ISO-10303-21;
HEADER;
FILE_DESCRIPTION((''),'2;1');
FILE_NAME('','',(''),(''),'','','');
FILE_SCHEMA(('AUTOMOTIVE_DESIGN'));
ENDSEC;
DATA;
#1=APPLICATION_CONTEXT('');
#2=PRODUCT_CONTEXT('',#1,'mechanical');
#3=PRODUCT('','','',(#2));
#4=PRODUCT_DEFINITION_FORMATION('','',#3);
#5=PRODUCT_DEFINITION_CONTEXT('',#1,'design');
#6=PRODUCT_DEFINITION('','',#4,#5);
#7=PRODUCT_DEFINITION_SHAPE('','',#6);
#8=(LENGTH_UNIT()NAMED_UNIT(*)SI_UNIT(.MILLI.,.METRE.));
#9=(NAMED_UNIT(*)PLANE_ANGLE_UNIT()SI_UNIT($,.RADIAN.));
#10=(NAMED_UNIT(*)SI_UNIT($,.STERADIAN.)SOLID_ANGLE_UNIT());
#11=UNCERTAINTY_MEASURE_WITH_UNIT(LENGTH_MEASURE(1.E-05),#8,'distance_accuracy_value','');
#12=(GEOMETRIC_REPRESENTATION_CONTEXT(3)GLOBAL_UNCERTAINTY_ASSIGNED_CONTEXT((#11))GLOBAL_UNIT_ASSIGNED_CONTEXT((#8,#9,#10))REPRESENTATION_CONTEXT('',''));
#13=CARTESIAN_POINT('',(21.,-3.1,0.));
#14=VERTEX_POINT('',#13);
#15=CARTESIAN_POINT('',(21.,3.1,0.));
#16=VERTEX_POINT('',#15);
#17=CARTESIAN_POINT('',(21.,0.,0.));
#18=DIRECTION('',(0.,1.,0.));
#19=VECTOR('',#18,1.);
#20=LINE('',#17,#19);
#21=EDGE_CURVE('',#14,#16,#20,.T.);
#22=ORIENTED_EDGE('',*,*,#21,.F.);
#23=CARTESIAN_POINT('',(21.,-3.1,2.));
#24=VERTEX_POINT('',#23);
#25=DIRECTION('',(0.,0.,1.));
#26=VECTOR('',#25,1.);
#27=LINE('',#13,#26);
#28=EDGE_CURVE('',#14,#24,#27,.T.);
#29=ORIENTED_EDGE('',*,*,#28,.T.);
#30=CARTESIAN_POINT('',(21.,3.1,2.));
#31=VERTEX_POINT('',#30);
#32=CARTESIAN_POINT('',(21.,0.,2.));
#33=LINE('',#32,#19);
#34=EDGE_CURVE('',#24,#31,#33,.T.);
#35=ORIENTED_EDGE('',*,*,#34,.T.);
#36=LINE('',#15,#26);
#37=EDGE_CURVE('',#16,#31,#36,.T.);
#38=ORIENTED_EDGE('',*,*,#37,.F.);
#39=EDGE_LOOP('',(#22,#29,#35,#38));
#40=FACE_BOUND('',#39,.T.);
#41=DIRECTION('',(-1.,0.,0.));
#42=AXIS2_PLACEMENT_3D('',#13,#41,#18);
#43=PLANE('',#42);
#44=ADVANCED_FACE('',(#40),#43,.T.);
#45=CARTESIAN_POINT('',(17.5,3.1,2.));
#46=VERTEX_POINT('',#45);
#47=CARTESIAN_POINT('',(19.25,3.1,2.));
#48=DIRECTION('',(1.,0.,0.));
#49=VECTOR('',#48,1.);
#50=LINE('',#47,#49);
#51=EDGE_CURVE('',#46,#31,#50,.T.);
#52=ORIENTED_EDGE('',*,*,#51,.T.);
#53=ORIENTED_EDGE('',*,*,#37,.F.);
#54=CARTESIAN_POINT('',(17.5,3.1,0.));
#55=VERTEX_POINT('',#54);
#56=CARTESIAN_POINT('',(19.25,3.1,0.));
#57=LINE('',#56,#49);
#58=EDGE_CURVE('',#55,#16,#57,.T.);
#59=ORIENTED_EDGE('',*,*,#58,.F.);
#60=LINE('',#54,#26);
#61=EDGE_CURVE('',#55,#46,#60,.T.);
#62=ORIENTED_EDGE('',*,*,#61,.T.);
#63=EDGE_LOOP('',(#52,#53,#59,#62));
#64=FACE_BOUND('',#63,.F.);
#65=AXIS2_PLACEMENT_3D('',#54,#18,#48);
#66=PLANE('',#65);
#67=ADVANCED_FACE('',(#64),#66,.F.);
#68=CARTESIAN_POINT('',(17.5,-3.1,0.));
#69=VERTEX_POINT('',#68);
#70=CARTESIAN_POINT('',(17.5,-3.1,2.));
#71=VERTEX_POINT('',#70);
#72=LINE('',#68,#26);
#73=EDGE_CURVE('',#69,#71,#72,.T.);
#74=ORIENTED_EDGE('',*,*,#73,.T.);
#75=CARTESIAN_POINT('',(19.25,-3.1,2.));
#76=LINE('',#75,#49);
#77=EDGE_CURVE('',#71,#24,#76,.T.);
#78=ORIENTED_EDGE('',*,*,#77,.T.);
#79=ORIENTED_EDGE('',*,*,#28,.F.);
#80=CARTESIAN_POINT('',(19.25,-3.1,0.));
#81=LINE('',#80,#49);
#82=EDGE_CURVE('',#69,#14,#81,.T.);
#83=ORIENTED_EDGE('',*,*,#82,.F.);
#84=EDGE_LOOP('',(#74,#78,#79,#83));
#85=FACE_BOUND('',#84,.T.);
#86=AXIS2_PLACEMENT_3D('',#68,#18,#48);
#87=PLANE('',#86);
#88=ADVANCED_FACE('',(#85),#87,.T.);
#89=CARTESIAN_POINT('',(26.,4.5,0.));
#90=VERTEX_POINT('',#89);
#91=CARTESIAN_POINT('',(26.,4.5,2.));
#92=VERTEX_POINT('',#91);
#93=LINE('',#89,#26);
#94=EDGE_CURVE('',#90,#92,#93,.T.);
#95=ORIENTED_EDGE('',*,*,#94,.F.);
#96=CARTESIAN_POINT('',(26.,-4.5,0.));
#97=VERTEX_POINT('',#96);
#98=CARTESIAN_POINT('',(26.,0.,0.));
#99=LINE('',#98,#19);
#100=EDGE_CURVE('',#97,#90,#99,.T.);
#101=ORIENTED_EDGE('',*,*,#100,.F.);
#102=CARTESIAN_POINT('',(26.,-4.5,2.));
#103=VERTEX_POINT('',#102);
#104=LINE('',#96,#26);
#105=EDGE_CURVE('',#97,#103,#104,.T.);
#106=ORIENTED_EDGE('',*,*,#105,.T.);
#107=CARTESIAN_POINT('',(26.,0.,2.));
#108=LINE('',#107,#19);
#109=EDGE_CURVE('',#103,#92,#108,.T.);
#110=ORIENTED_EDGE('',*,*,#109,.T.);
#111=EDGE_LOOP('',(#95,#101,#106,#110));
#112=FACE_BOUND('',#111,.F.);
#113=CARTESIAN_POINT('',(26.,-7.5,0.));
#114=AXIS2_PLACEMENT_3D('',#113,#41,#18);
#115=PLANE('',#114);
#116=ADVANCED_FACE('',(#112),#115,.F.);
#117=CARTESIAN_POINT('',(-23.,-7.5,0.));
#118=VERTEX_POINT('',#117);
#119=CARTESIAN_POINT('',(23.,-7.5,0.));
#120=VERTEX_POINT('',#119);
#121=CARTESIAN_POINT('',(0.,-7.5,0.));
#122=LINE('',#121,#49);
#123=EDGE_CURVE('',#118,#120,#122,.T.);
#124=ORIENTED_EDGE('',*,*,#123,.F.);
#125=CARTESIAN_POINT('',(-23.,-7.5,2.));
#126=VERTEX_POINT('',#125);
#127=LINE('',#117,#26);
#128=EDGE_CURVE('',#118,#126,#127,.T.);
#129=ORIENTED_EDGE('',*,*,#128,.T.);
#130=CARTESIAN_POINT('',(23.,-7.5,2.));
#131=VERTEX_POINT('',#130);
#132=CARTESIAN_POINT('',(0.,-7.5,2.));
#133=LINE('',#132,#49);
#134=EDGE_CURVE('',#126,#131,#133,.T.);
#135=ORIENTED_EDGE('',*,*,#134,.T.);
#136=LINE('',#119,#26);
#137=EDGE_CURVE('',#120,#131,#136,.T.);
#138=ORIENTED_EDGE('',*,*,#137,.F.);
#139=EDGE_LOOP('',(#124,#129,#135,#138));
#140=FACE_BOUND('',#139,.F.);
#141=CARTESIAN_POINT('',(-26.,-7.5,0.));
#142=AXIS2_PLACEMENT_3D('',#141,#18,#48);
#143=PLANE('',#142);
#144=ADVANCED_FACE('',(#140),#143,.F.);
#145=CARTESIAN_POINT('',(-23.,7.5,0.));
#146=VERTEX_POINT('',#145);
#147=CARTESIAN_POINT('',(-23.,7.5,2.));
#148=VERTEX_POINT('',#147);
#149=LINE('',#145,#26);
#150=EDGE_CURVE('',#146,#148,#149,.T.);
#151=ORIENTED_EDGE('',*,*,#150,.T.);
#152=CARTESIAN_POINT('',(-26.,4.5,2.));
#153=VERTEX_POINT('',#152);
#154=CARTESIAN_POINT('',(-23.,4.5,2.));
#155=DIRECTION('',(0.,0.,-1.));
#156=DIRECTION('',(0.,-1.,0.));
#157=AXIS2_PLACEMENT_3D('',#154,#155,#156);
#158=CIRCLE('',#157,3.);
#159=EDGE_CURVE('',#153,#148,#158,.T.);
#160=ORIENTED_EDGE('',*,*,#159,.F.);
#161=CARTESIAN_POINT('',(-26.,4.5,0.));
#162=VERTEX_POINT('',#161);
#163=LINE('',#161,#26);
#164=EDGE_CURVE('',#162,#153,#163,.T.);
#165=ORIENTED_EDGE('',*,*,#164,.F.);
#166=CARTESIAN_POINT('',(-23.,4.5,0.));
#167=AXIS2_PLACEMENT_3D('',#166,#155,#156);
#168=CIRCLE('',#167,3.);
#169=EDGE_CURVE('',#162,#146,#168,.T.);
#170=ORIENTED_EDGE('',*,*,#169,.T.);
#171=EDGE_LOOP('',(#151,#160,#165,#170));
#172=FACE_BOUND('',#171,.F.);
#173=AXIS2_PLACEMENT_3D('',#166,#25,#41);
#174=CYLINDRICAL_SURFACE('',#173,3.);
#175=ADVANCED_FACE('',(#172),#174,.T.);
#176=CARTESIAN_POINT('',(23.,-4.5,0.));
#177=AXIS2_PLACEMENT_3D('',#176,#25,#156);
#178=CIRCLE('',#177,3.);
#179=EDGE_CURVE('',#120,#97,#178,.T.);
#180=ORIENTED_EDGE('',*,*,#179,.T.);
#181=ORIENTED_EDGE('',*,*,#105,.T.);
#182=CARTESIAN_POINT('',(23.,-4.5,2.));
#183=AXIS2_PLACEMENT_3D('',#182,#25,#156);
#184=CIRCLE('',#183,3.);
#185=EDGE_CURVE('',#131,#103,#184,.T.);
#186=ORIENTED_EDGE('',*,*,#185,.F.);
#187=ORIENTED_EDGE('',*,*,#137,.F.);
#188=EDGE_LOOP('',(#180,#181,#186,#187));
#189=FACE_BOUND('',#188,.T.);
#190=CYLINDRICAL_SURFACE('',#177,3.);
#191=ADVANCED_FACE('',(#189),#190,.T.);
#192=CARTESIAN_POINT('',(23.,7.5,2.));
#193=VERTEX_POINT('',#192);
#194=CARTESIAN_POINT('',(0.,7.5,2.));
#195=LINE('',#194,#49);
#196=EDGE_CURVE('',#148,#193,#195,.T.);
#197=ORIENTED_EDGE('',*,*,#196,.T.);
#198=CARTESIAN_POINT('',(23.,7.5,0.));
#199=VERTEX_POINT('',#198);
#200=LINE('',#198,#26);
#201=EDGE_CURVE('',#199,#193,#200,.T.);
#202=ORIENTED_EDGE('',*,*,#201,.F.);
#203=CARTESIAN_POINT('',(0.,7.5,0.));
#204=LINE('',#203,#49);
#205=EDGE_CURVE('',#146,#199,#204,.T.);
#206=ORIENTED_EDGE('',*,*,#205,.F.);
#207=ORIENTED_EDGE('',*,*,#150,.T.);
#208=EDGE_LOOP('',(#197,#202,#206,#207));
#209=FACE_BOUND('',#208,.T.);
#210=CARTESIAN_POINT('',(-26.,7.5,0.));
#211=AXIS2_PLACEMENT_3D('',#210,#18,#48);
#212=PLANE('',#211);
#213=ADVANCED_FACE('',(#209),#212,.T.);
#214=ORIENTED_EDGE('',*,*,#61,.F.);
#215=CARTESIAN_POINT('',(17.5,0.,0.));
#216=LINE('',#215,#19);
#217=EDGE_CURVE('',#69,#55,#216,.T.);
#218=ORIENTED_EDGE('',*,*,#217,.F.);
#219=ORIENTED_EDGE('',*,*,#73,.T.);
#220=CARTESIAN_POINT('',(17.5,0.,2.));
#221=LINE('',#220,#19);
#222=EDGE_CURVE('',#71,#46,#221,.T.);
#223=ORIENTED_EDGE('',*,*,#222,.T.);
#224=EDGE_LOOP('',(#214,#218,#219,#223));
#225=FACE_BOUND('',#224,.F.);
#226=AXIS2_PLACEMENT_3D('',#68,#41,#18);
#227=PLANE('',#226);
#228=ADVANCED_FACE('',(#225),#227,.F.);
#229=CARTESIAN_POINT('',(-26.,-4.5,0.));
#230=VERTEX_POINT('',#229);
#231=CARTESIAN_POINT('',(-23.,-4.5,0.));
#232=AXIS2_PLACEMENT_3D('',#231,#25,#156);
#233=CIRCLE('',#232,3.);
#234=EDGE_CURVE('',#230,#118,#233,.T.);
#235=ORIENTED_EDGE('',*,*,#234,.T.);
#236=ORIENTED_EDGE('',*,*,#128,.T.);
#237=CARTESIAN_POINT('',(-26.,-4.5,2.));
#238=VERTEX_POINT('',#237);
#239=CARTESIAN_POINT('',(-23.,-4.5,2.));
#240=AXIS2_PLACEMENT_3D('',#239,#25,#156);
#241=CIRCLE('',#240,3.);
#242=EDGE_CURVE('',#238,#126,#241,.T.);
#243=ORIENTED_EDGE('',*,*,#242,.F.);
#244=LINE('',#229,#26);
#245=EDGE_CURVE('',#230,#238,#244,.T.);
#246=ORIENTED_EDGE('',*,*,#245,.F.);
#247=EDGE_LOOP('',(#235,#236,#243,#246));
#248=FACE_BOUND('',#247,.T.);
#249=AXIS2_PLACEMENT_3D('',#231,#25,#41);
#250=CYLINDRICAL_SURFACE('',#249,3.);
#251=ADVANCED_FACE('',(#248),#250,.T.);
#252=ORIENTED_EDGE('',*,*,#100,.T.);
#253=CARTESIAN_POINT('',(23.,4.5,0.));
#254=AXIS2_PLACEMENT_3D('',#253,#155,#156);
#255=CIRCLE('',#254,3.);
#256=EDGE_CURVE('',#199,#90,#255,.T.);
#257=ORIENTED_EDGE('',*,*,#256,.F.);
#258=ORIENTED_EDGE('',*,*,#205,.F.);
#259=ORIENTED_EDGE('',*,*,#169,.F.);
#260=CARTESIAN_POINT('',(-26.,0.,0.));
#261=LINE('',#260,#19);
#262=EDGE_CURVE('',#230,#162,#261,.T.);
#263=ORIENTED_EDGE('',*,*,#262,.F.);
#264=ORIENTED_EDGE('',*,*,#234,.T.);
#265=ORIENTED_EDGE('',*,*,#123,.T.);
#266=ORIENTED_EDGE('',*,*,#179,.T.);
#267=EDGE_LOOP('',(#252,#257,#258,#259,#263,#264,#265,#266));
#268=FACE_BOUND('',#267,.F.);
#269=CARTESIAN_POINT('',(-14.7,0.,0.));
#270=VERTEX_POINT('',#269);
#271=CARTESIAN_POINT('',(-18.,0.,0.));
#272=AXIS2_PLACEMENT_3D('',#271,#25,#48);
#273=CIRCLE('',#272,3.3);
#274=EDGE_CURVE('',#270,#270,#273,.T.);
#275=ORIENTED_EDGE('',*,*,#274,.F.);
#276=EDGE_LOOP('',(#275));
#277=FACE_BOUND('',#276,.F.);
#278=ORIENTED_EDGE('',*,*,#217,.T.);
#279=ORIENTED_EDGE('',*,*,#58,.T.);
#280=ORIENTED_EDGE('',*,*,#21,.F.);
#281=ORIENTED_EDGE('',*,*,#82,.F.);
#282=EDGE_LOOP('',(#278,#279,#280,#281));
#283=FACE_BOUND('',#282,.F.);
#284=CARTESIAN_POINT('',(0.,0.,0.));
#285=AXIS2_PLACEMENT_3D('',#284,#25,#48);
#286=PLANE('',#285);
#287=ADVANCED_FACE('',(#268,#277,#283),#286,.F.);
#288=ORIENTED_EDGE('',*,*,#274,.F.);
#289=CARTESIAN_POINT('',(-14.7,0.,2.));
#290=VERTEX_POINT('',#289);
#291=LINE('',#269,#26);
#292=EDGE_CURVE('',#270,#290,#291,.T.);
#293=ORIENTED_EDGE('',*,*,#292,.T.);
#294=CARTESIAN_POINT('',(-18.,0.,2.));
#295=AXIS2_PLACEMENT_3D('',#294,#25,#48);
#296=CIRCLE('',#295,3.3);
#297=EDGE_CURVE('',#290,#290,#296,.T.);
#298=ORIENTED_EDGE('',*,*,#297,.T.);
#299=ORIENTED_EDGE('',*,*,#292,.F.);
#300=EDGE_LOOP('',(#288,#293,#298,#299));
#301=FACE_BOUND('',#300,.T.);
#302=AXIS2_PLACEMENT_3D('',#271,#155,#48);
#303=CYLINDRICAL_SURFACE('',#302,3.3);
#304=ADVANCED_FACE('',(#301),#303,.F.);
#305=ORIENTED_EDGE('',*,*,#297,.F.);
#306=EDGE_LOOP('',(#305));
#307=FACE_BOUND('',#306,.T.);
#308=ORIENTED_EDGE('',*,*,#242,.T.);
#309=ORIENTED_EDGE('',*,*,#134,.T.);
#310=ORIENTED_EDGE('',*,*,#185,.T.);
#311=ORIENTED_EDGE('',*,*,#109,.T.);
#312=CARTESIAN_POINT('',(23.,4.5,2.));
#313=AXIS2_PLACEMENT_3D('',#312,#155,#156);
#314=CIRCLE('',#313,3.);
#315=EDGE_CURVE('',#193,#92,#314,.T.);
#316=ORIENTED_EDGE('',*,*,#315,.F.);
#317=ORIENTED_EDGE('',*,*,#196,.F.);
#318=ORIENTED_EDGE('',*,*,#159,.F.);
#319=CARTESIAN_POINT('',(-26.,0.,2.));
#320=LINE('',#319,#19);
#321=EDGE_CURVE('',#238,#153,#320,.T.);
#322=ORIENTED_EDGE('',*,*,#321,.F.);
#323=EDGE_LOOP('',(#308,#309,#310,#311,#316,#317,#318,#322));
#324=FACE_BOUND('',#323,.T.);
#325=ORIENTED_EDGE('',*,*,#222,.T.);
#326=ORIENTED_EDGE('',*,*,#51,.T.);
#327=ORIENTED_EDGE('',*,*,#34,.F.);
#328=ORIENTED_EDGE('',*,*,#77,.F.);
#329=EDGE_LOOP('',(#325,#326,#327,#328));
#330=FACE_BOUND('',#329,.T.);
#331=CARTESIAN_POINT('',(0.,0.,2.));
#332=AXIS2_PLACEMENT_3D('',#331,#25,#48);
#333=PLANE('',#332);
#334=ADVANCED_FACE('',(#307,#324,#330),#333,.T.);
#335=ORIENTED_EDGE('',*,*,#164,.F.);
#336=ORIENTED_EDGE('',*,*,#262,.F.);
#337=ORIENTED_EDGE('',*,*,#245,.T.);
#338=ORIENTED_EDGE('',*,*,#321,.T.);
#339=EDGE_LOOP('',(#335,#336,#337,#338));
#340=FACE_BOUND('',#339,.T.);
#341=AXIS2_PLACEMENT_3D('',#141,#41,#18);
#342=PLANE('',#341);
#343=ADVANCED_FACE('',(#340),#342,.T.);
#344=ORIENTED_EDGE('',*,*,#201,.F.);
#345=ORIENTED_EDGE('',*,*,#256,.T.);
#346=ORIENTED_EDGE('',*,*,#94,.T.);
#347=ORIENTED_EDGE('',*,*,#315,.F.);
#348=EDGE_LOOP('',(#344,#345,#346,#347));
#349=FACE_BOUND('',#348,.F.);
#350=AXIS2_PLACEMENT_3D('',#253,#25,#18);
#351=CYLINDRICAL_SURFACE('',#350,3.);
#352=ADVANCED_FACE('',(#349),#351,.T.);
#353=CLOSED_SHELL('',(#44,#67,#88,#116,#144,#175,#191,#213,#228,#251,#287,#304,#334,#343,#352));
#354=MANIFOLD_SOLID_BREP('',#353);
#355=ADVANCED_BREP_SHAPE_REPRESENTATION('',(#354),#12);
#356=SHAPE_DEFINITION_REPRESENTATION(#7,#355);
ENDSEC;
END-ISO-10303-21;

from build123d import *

# Parameters (mm, degrees)
SKETCH_W   = 52
SKETCH_H   = 15
SKETCH_R   = 3.3
SKETCH_W_2 = 3.5
SKETCH_H_2 = 6.2
PAD_DEPTH  = 2
FILLET_R   = 3


with BuildPart() as part:
    # Sketch → Pad (new body)
    with BuildSketch(Plane.XY):
        Rectangle(SKETCH_W, SKETCH_H)
        with Locations((-18, 0)):
            Circle(SKETCH_R, mode=Mode.SUBTRACT)
        with Locations((19.25, 0)):
            Rectangle(SKETCH_W_2, SKETCH_H_2, mode=Mode.SUBTRACT)
    extrude(amount=PAD_DEPTH)

    # Fillet
    fillet_edges = [part.edges().sort_by_distance(p)[0] for p in [
        (26, -7.5, 1),
        (26, 7.5, 1),
        (-26, 7.5, 1),
        (-26, -7.5, 1),
    ]]
    fillet(fillet_edges, radius=FILLET_R)


solid = part.part
